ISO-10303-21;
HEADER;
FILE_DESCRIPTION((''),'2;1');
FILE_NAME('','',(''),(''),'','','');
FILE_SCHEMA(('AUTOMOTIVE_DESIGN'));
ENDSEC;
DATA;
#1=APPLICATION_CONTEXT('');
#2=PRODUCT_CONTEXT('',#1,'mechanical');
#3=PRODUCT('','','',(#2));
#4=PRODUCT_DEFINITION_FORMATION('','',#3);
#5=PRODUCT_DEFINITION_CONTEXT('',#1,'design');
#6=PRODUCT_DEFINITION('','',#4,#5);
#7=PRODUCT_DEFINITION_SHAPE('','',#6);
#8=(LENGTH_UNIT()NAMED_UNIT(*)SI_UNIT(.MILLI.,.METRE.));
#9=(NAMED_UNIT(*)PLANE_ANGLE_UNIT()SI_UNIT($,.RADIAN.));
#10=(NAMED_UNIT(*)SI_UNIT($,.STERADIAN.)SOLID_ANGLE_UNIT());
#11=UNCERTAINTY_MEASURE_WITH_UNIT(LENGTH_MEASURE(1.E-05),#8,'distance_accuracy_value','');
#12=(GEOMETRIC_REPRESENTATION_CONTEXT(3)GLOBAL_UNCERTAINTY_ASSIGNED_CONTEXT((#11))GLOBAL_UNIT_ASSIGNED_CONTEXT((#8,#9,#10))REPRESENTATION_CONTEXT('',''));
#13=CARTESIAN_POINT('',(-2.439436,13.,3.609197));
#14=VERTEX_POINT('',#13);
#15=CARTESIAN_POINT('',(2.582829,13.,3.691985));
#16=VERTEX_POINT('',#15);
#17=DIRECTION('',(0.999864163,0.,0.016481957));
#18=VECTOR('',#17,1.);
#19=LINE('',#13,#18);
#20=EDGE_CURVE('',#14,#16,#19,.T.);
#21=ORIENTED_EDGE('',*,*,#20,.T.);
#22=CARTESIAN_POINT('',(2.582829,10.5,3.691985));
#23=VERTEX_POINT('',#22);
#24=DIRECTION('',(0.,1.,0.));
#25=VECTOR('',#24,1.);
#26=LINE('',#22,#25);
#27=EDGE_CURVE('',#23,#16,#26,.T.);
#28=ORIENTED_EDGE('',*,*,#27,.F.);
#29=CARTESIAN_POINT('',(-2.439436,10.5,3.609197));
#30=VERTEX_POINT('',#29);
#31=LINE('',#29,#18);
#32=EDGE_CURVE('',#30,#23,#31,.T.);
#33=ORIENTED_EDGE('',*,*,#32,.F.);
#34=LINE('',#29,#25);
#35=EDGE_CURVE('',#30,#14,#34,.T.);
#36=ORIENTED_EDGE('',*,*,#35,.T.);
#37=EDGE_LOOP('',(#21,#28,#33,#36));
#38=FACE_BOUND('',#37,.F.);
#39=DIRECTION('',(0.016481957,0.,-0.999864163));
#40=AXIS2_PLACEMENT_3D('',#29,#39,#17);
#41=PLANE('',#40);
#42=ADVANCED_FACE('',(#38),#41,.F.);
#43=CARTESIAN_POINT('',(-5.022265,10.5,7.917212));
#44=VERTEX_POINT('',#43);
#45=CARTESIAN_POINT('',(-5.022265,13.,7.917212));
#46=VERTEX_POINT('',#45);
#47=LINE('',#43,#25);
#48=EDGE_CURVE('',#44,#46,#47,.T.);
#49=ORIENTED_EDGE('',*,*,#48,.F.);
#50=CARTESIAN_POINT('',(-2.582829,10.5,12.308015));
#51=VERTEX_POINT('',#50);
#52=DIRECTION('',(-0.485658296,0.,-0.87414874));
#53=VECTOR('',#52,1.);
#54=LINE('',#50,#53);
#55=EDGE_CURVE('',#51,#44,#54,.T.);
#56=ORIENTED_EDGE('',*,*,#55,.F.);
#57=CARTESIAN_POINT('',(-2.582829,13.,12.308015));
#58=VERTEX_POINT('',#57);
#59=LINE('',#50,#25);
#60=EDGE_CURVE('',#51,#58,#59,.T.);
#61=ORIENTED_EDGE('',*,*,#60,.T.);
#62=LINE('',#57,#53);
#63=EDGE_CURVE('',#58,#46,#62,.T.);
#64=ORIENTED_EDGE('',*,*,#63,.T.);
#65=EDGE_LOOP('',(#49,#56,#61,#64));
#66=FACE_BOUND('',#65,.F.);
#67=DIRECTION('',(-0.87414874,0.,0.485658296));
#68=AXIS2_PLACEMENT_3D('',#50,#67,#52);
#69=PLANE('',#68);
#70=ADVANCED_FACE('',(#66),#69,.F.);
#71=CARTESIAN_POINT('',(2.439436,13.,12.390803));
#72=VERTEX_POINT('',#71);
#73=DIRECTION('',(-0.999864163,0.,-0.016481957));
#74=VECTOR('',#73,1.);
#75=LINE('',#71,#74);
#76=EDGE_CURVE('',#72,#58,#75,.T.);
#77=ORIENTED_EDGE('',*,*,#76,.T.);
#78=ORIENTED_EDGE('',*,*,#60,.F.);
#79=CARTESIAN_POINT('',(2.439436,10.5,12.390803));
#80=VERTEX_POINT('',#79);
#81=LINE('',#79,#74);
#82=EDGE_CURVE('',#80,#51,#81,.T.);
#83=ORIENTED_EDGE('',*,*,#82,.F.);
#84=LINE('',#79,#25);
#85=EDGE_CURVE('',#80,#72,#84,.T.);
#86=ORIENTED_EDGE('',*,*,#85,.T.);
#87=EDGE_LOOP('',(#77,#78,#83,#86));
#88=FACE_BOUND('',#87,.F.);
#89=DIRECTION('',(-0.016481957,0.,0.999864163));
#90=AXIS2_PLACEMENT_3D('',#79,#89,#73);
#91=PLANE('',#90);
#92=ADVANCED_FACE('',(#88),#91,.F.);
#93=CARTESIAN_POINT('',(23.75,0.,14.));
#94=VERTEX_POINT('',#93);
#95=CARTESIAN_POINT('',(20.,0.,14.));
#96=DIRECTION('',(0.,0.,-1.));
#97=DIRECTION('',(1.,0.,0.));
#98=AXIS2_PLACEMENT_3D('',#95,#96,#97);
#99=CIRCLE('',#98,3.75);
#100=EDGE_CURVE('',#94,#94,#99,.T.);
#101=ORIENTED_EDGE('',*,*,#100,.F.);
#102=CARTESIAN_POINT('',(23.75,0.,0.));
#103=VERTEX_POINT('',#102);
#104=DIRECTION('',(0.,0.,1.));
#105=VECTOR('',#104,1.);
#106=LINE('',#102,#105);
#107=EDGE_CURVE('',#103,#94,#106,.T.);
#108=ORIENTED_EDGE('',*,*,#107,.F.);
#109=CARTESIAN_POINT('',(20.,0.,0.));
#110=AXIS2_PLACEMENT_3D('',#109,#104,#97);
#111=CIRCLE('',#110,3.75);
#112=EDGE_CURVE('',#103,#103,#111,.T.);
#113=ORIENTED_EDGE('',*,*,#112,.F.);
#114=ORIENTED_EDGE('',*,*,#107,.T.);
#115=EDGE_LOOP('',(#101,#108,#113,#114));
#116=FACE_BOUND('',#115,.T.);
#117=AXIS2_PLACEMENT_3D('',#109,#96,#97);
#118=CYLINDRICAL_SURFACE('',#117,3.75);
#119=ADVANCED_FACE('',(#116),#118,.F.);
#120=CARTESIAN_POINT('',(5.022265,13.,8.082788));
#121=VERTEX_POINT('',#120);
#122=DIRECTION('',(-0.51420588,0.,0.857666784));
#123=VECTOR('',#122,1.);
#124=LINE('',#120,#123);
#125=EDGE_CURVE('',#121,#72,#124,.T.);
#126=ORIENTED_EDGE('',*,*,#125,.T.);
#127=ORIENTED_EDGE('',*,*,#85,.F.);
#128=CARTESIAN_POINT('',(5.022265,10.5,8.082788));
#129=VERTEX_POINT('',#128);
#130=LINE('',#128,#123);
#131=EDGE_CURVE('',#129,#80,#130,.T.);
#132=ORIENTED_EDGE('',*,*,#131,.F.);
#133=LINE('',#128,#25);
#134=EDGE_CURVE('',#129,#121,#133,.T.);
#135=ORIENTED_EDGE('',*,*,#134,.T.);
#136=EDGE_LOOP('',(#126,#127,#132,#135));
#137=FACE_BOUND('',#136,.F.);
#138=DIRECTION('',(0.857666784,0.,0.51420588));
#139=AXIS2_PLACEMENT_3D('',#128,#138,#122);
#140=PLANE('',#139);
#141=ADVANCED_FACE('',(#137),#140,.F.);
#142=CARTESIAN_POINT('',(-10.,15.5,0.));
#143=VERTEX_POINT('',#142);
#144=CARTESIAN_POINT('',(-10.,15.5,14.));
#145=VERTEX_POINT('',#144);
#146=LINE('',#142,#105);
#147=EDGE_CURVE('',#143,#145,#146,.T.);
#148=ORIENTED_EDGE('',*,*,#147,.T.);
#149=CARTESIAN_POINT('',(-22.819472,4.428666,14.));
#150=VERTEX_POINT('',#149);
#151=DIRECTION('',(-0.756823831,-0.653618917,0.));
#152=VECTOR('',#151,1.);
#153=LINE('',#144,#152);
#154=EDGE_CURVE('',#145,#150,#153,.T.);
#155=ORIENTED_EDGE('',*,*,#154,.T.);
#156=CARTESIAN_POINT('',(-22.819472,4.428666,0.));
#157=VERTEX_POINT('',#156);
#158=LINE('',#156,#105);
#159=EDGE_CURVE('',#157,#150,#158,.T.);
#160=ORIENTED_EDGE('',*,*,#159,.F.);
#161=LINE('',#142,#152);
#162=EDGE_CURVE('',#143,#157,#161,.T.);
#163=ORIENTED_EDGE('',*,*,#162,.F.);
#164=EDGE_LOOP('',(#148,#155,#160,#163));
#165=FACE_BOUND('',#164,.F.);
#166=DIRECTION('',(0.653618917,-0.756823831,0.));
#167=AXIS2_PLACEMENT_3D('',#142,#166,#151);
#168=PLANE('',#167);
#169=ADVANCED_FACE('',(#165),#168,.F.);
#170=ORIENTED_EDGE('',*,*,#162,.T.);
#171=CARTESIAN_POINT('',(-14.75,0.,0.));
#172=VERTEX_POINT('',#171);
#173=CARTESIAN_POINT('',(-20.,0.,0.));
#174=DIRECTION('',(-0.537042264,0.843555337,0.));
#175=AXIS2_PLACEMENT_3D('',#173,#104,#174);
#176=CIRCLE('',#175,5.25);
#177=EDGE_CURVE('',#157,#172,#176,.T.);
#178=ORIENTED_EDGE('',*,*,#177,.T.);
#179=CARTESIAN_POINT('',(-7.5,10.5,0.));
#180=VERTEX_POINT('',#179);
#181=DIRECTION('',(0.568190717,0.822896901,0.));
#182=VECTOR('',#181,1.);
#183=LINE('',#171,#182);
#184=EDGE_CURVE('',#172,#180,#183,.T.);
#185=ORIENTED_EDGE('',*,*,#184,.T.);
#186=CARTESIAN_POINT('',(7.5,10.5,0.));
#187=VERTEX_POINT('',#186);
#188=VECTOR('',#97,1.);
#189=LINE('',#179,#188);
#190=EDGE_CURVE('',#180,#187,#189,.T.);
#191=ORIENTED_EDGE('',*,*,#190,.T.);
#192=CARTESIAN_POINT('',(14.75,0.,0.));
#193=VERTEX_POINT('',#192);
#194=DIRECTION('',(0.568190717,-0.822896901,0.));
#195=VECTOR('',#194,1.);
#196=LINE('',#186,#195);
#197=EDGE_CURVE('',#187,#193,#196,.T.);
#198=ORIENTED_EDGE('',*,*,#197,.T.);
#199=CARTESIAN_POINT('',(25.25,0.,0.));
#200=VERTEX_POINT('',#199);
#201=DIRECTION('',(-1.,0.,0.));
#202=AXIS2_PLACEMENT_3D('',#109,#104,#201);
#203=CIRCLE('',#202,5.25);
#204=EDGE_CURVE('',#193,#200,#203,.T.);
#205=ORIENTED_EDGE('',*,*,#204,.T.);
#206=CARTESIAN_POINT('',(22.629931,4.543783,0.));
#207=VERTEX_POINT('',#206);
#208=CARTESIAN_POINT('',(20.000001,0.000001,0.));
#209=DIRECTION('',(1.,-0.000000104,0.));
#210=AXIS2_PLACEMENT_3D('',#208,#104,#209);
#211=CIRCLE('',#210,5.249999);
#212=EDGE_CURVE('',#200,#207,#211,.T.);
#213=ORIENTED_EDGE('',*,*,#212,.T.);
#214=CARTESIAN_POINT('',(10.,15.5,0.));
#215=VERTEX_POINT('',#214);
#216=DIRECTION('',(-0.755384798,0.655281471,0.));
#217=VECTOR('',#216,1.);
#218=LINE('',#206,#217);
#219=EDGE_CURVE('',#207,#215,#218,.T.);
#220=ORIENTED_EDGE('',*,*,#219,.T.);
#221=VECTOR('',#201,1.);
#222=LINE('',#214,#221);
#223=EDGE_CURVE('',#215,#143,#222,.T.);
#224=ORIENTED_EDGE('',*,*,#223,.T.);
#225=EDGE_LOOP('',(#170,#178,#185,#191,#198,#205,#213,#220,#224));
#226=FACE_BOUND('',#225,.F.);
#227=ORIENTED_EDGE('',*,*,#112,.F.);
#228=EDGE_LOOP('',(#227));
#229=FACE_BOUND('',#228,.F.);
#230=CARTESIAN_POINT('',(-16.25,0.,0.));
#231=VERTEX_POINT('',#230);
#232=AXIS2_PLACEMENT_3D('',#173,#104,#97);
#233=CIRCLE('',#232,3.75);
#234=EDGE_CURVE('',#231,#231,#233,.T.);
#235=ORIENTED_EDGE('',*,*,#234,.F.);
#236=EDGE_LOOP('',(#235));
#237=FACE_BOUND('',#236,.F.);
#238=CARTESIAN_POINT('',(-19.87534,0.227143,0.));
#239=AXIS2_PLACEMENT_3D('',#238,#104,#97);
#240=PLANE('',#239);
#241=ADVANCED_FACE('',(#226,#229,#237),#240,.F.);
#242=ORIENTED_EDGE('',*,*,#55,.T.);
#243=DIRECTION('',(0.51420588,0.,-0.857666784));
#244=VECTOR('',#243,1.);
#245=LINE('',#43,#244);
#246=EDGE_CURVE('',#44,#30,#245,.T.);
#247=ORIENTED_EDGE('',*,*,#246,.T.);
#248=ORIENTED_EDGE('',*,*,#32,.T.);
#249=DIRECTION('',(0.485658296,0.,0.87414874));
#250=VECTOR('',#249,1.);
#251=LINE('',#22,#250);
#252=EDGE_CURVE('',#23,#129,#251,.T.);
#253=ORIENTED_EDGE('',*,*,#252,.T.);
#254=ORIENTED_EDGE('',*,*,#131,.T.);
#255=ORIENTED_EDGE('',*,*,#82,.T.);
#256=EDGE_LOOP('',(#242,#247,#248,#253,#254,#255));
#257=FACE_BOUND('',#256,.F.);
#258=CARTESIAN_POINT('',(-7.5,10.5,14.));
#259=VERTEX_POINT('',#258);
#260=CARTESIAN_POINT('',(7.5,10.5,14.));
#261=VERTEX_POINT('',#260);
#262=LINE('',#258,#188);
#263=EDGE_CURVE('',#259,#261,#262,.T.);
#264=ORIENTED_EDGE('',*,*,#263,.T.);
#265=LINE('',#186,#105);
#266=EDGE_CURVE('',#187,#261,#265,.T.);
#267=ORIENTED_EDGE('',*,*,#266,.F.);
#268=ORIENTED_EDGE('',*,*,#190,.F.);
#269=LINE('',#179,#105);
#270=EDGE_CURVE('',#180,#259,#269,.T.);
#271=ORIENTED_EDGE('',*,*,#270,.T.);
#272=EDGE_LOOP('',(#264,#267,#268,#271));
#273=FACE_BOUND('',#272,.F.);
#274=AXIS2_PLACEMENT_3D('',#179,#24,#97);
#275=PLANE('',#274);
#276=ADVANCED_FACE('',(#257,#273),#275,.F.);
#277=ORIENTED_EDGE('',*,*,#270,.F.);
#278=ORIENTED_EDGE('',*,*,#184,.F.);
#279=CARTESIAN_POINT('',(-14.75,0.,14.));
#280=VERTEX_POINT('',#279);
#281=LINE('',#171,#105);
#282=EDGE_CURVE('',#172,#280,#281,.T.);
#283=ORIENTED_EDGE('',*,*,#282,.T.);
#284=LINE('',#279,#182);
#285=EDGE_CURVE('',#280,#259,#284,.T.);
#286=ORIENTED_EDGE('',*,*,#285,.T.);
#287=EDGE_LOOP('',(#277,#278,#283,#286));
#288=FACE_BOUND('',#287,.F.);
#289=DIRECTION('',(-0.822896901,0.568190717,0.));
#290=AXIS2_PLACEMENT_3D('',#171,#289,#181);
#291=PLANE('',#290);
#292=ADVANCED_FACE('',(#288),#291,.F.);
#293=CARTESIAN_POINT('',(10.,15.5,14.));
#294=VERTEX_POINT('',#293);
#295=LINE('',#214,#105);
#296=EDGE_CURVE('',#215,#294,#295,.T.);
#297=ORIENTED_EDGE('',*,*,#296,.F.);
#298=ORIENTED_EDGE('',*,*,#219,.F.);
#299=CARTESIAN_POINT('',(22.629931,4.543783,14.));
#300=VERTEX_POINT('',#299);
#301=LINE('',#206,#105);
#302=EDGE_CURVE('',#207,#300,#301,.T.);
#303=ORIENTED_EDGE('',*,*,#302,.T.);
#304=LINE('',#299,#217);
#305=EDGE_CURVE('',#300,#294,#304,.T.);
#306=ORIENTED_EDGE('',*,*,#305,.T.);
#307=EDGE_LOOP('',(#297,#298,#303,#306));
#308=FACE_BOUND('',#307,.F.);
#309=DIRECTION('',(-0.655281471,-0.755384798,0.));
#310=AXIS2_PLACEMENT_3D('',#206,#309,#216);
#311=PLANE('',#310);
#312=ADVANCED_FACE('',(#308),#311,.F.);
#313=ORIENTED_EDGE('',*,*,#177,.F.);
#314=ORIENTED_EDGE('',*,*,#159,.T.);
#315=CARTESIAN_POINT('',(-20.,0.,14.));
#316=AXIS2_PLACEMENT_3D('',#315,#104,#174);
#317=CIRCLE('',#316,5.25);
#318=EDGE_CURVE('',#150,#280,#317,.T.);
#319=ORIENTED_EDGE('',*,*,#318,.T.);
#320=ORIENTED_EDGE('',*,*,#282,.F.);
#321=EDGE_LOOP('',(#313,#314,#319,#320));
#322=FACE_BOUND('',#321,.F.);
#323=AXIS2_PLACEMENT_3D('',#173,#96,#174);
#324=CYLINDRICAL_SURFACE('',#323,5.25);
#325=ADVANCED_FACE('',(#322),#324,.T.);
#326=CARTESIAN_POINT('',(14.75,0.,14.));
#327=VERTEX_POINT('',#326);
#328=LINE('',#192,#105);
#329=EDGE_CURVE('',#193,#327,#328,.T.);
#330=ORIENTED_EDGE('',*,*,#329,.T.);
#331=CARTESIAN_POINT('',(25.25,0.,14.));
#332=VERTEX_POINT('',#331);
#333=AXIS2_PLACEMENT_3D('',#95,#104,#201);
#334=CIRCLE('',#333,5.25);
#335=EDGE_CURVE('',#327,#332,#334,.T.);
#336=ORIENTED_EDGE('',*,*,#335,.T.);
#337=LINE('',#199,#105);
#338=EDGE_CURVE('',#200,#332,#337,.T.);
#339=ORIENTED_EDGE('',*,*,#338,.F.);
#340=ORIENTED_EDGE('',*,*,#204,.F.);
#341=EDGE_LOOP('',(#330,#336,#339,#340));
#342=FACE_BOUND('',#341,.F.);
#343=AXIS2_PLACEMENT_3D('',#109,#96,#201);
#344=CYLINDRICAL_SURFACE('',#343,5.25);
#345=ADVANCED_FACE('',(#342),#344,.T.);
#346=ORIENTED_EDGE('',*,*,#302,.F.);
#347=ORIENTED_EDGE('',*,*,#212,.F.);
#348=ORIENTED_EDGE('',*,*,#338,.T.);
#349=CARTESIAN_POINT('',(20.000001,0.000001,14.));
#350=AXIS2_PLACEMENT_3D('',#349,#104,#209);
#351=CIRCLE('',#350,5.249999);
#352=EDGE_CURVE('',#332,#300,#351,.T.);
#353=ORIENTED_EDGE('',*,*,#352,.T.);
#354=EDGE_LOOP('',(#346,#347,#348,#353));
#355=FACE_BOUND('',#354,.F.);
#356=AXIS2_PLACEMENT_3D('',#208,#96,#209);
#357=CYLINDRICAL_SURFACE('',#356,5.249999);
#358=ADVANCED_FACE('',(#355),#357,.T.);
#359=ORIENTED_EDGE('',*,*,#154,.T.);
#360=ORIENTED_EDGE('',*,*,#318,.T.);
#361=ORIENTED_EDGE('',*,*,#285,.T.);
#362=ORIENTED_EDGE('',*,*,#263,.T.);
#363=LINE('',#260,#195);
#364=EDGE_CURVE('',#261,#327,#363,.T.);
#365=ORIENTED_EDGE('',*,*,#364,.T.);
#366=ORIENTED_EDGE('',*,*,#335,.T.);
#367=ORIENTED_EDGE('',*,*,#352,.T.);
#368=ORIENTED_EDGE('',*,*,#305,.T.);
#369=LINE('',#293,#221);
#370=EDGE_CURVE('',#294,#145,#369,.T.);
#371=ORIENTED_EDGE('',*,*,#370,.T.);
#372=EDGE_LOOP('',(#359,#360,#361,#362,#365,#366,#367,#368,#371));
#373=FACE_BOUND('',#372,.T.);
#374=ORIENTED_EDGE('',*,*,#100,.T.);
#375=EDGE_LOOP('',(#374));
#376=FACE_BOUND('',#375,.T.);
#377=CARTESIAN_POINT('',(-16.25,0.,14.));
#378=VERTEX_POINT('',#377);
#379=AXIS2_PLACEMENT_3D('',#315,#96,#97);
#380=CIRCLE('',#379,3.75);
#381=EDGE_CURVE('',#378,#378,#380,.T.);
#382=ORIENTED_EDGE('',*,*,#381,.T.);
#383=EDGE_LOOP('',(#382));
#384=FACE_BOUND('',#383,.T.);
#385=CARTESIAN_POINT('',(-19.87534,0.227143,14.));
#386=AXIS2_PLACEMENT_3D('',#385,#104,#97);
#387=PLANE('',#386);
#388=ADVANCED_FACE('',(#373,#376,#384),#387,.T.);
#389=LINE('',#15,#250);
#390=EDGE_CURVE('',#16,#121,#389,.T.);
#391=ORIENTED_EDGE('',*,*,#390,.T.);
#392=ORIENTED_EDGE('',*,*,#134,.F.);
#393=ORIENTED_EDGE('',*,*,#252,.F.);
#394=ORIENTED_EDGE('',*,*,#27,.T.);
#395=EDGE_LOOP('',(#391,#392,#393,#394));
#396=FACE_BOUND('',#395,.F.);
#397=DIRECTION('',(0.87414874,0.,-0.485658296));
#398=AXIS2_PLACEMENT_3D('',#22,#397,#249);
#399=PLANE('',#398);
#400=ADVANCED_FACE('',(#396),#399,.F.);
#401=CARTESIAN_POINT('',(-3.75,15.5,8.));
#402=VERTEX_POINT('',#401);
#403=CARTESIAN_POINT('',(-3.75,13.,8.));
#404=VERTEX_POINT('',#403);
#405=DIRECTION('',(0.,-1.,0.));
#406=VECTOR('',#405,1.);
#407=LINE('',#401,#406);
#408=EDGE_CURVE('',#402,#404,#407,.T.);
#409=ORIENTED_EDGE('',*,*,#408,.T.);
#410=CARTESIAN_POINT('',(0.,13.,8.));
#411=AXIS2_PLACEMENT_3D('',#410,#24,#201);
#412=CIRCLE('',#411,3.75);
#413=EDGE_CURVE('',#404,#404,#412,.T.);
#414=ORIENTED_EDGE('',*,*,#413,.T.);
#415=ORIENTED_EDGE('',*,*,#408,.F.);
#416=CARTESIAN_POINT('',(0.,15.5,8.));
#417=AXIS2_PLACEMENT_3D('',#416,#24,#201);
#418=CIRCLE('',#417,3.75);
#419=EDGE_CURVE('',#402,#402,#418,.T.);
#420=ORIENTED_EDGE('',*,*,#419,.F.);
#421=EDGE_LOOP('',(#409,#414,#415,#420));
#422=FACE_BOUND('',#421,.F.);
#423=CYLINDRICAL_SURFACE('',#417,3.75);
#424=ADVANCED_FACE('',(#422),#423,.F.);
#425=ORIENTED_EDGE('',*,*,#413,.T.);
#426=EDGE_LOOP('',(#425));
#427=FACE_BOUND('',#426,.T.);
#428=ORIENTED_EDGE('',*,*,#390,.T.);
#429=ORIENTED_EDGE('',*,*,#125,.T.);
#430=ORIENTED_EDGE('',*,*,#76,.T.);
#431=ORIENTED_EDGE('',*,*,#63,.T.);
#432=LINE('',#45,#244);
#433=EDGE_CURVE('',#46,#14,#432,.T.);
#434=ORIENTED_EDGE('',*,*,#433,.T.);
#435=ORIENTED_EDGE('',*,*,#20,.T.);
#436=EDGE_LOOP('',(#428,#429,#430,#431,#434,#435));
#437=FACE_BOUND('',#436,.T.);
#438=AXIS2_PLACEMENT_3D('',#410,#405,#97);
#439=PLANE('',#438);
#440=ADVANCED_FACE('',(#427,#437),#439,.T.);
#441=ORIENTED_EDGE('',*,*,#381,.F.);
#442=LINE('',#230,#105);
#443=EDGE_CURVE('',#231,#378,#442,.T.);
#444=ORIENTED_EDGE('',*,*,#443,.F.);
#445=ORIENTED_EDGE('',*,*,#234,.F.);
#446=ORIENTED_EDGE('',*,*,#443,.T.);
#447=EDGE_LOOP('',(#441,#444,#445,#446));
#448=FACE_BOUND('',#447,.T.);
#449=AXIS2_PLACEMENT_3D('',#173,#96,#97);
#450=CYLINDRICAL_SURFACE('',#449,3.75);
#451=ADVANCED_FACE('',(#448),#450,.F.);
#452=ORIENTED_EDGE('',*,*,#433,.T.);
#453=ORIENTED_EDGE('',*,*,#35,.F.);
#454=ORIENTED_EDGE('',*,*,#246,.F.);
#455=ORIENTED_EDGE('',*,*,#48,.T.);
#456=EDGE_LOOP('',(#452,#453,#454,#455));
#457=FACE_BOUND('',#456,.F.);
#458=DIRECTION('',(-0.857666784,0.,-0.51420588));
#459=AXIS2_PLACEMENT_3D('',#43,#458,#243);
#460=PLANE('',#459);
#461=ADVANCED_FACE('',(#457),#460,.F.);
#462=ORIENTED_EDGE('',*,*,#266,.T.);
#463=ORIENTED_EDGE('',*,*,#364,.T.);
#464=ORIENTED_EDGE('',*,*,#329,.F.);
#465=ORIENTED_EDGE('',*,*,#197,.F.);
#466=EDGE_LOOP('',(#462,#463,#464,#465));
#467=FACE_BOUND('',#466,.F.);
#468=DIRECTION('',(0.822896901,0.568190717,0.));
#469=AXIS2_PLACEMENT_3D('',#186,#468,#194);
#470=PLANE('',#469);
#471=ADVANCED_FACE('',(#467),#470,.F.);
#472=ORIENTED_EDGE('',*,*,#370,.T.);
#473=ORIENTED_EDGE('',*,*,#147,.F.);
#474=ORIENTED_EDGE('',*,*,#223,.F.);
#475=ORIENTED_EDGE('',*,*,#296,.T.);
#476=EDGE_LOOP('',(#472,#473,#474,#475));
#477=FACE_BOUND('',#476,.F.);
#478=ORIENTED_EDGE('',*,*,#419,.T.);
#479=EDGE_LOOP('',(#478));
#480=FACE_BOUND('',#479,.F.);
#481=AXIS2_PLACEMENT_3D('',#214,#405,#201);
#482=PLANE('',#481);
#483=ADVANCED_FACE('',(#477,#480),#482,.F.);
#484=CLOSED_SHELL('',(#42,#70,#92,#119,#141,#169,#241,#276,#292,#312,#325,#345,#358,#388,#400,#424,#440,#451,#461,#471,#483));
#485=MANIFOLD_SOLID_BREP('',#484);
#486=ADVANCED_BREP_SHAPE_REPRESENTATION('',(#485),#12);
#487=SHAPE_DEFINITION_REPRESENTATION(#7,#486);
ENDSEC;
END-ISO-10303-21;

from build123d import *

# Parameters (mm, degrees)
F0_R     = 3.75
F2_DEPTH = 25
F3_DEPTH = 14
F4_R     = 3.75
F6_DEPTH = 25
F7_DEPTH = 2.5


with BuildPart() as f2:
    # F0 (on Top) → F2 (new body)
    with BuildSketch(Plane.XY):
        with Locations((-20, 0)):
            Circle(F0_R)
        with Locations((20, 0)):
            Circle(F0_R)
    extrude(amount=F2_DEPTH)


with BuildPart() as f3:
    # F1 (on Top) → F3 (new body)
    with BuildSketch(Plane.XY):
        with BuildLine():
            ThreePointArc((-22.819472, 4.428666), (-22.525893, -4.60243), (-14.75, 0))
            ThreePointArc((-14.75, 0), (-17.474107, 4.60243), (-22.819472, 4.428666))
        make_face()
        with BuildLine():
            ThreePointArc((-22.819472, 4.428666), (-17.474107, 4.60243), (-14.75, 0))
            Line((-14.75, 0), (-7.5, 10.5))
            Line((-7.5, 10.5), (7.5, 10.5))
            Line((7.5, 10.5), (14.75, 0))
            ThreePointArc((14.75, 0), (17.377467, 4.548057), (22.629931, 4.543783))
            Line((22.629931, 4.543783), (10, 15.5))
            Line((10, 15.5), (-10, 15.5))
            Line((-10, 15.5), (-22.819472, 4.428666))
        make_face()
        with BuildLine():
            ThreePointArc((22.629931, 4.543783), (17.377467, 4.548057), (14.75, 0))
            ThreePointArc((14.75, 0), (20, -5.25), (25.25, 0))
            ThreePointArc((25.25, 0), (24.548057, 2.622533), (22.629931, 4.543783))
        make_face()
    extrude(amount=F3_DEPTH)


with BuildPart() as f6:
    # F4 (on face) → F6 (new body)
    with BuildSketch(Plane(origin=(0, 15.5, 0), x_dir=(-1, 0, 0), z_dir=(0, 1, 0))):
        with Locations((0, 8)):
            Circle(F4_R)
    extrude(amount=-F6_DEPTH)


with BuildPart() as f7:
    # F5 (on face) → F7 (new body)
    with BuildSketch(Plane.XZ.offset(-10.5)):
        Polygon((2.582829, 3.691985), (5.022265, 8.082788), (2.439436, 12.390803), (-2.582829, 12.308015), (-5.022265, 7.917212), (-2.439436, 3.609197), align=None)
    extrude(amount=-F7_DEPTH)


with BuildPart() as f3_1:
    add(f3.part)

    # F8: cut F2, F6, F7
    add(f2.part, mode=Mode.SUBTRACT)
    add(f6.part, mode=Mode.SUBTRACT)
    add(f7.part, mode=Mode.SUBTRACT)


solid = f3_1.part
